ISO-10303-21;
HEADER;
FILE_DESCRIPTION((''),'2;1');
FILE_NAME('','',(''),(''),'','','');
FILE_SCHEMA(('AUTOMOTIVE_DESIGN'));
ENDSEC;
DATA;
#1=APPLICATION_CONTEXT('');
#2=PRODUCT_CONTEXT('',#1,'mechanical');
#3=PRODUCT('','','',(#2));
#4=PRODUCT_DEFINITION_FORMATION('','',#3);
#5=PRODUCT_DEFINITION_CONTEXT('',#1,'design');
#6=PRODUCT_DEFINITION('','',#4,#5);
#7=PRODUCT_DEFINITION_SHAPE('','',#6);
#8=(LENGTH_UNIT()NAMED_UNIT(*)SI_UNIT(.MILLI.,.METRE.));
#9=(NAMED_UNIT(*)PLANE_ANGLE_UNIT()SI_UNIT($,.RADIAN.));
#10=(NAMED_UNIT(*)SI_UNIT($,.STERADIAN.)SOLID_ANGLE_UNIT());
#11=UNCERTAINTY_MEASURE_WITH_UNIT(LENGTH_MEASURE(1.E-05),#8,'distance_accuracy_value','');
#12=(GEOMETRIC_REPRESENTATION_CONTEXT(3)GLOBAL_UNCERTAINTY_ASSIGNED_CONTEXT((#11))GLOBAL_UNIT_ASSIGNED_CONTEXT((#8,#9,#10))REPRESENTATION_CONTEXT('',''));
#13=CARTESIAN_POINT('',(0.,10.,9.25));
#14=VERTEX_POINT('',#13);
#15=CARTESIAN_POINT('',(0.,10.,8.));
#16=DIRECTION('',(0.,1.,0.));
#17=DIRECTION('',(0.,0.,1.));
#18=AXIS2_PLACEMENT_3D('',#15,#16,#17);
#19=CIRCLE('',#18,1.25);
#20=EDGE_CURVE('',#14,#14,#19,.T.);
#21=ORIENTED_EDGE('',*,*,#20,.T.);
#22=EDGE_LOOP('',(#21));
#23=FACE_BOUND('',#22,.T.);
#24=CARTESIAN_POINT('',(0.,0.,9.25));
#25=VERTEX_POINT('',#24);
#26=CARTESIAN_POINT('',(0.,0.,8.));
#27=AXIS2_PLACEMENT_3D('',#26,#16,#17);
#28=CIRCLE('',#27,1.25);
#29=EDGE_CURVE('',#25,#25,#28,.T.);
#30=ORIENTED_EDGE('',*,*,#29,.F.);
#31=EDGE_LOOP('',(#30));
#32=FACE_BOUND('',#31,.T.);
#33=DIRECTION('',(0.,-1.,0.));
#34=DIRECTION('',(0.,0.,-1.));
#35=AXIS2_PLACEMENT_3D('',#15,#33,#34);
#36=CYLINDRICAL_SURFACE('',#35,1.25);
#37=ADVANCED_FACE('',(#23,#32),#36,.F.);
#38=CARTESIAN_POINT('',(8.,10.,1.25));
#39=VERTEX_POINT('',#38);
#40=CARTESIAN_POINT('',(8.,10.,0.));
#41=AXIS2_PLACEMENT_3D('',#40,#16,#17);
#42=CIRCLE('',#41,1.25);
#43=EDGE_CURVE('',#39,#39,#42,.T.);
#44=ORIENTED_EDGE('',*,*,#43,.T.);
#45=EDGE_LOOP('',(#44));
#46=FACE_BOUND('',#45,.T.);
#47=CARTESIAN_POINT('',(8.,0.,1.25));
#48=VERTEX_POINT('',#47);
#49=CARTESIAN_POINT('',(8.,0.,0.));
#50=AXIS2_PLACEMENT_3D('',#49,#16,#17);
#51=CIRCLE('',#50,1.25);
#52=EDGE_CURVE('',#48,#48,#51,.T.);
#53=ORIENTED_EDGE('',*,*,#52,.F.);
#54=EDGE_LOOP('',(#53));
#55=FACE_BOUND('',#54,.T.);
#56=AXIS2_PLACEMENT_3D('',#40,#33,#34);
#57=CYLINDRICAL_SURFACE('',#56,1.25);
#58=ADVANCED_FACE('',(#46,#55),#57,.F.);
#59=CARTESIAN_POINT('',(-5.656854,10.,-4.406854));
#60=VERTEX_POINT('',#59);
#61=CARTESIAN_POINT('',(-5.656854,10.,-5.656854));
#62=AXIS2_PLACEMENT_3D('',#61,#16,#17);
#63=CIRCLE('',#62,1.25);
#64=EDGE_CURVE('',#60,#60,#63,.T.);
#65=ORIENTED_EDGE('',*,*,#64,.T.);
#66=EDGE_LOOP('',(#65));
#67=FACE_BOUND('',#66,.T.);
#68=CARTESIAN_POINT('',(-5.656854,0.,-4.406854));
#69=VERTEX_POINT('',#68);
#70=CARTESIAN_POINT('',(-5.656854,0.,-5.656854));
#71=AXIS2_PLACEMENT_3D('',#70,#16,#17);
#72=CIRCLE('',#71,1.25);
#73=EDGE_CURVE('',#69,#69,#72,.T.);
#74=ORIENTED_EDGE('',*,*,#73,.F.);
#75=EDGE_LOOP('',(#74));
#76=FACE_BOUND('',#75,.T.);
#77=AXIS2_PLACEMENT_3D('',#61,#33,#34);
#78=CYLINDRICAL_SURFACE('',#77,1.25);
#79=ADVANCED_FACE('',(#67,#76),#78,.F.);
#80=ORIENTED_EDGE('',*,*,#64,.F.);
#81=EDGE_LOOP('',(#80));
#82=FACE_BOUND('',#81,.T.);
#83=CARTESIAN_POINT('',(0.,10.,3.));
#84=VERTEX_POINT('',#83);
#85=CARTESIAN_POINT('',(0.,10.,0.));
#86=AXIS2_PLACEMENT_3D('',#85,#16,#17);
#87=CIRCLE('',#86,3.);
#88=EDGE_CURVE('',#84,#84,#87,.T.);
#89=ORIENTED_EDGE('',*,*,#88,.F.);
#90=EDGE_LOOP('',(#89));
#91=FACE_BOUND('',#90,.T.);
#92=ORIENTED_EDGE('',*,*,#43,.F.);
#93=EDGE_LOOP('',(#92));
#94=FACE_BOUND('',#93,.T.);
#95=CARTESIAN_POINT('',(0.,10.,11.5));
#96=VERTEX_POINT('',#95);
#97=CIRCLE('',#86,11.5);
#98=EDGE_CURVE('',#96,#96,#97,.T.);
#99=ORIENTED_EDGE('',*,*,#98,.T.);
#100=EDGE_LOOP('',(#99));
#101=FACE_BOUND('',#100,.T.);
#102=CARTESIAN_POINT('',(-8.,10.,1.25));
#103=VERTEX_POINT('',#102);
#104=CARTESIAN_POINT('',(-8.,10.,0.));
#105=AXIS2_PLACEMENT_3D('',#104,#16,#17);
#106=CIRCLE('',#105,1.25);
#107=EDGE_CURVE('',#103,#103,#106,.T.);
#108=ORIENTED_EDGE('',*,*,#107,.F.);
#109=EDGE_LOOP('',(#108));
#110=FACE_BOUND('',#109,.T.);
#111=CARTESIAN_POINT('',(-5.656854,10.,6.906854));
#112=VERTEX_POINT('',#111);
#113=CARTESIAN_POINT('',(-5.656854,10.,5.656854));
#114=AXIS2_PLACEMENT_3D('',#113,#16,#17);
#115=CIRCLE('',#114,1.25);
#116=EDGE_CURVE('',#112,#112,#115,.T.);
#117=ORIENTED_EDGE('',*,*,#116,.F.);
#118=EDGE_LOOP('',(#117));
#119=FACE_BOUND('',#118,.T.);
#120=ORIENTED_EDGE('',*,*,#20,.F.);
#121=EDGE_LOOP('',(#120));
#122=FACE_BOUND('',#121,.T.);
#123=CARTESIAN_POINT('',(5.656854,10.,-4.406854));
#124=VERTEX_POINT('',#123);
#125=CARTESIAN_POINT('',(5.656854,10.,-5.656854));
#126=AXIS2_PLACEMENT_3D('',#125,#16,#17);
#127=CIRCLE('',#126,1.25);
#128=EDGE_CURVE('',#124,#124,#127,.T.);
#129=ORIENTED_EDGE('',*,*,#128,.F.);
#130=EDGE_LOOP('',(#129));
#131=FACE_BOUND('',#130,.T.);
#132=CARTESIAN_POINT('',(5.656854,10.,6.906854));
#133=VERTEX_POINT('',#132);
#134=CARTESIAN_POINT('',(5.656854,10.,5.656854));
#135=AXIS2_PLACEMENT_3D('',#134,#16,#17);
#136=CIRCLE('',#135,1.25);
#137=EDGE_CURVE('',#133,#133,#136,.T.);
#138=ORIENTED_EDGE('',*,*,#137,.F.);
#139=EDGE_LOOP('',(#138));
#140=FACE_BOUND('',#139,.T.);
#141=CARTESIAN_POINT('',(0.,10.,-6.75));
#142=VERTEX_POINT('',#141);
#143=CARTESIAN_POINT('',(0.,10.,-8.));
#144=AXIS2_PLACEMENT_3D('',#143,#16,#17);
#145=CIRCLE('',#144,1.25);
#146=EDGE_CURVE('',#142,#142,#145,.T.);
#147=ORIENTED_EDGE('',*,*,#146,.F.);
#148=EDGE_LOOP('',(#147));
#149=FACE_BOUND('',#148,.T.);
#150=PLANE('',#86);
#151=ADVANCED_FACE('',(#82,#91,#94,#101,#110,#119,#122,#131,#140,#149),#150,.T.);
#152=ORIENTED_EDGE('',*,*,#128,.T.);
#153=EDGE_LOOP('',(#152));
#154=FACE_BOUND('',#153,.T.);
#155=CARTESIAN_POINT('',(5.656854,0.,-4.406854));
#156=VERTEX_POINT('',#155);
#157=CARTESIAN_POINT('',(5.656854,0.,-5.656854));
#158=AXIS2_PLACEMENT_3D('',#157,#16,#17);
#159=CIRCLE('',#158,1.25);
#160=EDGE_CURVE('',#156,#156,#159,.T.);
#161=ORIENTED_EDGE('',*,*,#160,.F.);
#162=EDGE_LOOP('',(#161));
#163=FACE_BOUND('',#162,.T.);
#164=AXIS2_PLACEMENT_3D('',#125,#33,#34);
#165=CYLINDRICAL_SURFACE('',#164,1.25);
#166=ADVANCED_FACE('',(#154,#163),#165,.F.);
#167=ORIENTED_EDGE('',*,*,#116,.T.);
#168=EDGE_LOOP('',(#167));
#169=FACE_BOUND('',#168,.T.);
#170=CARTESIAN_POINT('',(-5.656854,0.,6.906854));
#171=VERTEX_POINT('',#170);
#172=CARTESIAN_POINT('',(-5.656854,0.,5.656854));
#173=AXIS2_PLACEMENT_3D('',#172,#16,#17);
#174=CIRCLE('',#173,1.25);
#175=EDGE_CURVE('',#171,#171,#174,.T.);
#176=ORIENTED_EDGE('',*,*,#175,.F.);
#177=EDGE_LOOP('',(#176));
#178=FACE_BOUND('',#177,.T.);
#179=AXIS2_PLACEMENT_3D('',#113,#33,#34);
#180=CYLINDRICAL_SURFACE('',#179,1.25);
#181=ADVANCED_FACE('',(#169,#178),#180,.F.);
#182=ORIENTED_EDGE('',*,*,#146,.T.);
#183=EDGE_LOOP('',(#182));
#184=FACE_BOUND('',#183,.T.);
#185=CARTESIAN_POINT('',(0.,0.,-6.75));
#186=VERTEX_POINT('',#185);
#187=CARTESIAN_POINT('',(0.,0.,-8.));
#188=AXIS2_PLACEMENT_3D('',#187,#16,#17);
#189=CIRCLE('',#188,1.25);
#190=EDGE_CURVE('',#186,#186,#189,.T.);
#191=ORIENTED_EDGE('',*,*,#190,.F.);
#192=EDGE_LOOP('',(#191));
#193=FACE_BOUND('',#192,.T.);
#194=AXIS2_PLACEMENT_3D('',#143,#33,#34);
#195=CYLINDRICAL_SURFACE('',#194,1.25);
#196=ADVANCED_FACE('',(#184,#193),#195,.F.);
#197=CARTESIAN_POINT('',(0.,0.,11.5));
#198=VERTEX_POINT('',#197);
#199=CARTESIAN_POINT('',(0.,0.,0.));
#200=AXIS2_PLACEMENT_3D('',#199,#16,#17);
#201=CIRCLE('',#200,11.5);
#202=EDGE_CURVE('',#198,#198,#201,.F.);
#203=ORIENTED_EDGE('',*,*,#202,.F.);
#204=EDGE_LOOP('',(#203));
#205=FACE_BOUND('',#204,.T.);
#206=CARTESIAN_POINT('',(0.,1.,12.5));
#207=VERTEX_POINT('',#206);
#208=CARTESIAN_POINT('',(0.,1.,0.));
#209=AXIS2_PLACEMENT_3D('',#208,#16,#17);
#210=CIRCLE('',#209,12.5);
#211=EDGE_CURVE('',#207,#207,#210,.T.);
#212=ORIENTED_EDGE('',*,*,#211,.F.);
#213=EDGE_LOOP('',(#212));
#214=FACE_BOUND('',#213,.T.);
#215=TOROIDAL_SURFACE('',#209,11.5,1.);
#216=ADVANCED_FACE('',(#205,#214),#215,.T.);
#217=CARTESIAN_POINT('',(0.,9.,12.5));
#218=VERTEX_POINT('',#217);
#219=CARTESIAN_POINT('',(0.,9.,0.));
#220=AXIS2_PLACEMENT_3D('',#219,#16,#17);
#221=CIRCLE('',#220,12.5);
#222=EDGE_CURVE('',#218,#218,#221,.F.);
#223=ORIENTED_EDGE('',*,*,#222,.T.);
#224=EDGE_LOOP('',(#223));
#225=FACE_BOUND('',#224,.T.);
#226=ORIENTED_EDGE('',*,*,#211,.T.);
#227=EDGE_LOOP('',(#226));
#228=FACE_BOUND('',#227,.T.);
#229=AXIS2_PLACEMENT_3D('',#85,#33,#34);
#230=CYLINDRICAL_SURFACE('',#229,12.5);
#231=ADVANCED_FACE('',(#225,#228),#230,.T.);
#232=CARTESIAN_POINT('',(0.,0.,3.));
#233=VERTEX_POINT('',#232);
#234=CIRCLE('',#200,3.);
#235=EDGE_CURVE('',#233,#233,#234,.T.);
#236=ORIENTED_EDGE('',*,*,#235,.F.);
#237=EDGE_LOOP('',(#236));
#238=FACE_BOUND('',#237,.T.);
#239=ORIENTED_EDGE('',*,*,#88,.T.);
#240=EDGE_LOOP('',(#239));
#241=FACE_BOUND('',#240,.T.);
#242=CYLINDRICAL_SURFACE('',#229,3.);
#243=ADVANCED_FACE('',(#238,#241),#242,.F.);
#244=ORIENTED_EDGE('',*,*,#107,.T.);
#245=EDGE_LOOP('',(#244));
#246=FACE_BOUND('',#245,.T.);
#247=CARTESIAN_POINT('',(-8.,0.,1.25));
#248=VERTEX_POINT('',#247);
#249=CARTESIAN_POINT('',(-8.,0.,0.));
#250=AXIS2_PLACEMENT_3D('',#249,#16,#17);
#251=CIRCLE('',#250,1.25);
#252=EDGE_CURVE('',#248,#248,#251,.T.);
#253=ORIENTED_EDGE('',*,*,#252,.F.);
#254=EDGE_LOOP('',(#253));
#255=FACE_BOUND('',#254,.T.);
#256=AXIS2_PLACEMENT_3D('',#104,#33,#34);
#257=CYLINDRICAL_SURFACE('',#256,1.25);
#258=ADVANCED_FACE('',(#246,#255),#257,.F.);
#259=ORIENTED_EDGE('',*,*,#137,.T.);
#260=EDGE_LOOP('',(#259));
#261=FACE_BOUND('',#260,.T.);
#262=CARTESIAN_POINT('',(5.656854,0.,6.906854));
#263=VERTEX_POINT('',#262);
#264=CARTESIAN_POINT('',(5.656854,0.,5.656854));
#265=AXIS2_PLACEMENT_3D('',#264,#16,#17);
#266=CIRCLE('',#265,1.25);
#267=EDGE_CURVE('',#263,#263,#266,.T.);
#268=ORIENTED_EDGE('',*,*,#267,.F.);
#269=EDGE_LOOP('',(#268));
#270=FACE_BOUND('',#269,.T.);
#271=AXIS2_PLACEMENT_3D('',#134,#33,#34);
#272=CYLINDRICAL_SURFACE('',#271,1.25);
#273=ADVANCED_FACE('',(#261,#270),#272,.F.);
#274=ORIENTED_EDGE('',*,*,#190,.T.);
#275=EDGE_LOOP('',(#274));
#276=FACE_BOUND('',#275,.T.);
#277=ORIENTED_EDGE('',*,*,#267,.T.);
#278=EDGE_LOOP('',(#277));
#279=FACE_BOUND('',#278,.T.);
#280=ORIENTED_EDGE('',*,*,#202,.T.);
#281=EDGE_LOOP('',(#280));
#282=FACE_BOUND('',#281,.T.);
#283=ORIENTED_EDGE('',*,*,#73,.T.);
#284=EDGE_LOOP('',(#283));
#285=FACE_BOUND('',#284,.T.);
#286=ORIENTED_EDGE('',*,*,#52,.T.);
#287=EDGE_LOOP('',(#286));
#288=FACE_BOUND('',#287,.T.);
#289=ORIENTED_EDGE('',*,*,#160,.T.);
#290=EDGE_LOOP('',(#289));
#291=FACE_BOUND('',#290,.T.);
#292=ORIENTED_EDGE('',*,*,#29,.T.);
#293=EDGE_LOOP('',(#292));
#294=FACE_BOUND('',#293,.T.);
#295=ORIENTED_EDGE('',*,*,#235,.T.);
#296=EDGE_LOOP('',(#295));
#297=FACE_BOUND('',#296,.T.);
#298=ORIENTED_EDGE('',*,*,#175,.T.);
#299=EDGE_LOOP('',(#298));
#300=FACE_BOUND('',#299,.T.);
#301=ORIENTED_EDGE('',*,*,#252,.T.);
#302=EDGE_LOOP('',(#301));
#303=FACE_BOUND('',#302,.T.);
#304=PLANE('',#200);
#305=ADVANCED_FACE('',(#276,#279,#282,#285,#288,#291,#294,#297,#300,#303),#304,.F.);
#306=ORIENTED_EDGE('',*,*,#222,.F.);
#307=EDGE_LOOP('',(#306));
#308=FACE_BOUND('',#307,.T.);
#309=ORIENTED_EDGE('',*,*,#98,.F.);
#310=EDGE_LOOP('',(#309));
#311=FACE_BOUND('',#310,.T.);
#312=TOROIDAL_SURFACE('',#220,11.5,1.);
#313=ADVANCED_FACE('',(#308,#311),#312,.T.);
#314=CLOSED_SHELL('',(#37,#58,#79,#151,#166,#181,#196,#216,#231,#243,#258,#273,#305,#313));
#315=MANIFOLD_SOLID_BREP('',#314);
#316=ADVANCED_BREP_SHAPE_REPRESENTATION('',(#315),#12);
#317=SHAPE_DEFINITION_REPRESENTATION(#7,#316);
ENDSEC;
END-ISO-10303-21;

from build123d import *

# Parameters (mm, degrees)
SKETCH1_R           = 12.5
SKETCH1_R_2         = 1.25
SKETCH1_R_3         = 3
BOSS_EXTRUDE1_DEPTH = 10
FILLET1_R           = 1


with BuildPart() as part:
    # Sketch1 → Boss-Extrude1 (new body)
    with BuildSketch(Plane(origin=(0, 0, 0), x_dir=(1, 0, 0), z_dir=(0, 1, 0))):
        with Locations(Location((0, 0, 0), (0, 0, 270))):
            Circle(SKETCH1_R)
        with Locations(Location((0, 8, 0), (0, 0, 270))):
            Circle(SKETCH1_R_2, mode=Mode.SUBTRACT)
        with Locations(Location((5.656854249, 5.656854249, 0), (0, 0, 270))):
            Circle(SKETCH1_R_2, mode=Mode.SUBTRACT)
        with Locations(Location((0, 0, 0), (0, 0, 270))):
            Circle(SKETCH1_R_3, mode=Mode.SUBTRACT)
        with Locations(Location((8, 0, 0), (0, 0, 270))):
            Circle(SKETCH1_R_2, mode=Mode.SUBTRACT)
        with Locations(Location((5.656854249, -5.656854249, 0), (0, 0, 270))):
            Circle(SKETCH1_R_2, mode=Mode.SUBTRACT)
        with Locations(Location((0, -8, 0), (0, 0, 270))):
            Circle(SKETCH1_R_2, mode=Mode.SUBTRACT)
        with Locations(Location((-5.656854249, -5.656854249, 0), (0, 0, 270))):
            Circle(SKETCH1_R_2, mode=Mode.SUBTRACT)
        with Locations(Location((-8, 0, 0), (0, 0, 270))):
            Circle(SKETCH1_R_2, mode=Mode.SUBTRACT)
        with Locations(Location((-5.656854249, 5.656854249, 0), (0, 0, 270))):
            Circle(SKETCH1_R_2, mode=Mode.SUBTRACT)
    extrude(amount=BOSS_EXTRUDE1_DEPTH)

    # Fillet1
    fillet1_edges = [part.edges().sort_by_distance(p)[0] for p in [
        (0, 0, -12.5),
        (0, 10, -12.5),
    ]]
    fillet(fillet1_edges, radius=FILLET1_R)


solid = part.part
